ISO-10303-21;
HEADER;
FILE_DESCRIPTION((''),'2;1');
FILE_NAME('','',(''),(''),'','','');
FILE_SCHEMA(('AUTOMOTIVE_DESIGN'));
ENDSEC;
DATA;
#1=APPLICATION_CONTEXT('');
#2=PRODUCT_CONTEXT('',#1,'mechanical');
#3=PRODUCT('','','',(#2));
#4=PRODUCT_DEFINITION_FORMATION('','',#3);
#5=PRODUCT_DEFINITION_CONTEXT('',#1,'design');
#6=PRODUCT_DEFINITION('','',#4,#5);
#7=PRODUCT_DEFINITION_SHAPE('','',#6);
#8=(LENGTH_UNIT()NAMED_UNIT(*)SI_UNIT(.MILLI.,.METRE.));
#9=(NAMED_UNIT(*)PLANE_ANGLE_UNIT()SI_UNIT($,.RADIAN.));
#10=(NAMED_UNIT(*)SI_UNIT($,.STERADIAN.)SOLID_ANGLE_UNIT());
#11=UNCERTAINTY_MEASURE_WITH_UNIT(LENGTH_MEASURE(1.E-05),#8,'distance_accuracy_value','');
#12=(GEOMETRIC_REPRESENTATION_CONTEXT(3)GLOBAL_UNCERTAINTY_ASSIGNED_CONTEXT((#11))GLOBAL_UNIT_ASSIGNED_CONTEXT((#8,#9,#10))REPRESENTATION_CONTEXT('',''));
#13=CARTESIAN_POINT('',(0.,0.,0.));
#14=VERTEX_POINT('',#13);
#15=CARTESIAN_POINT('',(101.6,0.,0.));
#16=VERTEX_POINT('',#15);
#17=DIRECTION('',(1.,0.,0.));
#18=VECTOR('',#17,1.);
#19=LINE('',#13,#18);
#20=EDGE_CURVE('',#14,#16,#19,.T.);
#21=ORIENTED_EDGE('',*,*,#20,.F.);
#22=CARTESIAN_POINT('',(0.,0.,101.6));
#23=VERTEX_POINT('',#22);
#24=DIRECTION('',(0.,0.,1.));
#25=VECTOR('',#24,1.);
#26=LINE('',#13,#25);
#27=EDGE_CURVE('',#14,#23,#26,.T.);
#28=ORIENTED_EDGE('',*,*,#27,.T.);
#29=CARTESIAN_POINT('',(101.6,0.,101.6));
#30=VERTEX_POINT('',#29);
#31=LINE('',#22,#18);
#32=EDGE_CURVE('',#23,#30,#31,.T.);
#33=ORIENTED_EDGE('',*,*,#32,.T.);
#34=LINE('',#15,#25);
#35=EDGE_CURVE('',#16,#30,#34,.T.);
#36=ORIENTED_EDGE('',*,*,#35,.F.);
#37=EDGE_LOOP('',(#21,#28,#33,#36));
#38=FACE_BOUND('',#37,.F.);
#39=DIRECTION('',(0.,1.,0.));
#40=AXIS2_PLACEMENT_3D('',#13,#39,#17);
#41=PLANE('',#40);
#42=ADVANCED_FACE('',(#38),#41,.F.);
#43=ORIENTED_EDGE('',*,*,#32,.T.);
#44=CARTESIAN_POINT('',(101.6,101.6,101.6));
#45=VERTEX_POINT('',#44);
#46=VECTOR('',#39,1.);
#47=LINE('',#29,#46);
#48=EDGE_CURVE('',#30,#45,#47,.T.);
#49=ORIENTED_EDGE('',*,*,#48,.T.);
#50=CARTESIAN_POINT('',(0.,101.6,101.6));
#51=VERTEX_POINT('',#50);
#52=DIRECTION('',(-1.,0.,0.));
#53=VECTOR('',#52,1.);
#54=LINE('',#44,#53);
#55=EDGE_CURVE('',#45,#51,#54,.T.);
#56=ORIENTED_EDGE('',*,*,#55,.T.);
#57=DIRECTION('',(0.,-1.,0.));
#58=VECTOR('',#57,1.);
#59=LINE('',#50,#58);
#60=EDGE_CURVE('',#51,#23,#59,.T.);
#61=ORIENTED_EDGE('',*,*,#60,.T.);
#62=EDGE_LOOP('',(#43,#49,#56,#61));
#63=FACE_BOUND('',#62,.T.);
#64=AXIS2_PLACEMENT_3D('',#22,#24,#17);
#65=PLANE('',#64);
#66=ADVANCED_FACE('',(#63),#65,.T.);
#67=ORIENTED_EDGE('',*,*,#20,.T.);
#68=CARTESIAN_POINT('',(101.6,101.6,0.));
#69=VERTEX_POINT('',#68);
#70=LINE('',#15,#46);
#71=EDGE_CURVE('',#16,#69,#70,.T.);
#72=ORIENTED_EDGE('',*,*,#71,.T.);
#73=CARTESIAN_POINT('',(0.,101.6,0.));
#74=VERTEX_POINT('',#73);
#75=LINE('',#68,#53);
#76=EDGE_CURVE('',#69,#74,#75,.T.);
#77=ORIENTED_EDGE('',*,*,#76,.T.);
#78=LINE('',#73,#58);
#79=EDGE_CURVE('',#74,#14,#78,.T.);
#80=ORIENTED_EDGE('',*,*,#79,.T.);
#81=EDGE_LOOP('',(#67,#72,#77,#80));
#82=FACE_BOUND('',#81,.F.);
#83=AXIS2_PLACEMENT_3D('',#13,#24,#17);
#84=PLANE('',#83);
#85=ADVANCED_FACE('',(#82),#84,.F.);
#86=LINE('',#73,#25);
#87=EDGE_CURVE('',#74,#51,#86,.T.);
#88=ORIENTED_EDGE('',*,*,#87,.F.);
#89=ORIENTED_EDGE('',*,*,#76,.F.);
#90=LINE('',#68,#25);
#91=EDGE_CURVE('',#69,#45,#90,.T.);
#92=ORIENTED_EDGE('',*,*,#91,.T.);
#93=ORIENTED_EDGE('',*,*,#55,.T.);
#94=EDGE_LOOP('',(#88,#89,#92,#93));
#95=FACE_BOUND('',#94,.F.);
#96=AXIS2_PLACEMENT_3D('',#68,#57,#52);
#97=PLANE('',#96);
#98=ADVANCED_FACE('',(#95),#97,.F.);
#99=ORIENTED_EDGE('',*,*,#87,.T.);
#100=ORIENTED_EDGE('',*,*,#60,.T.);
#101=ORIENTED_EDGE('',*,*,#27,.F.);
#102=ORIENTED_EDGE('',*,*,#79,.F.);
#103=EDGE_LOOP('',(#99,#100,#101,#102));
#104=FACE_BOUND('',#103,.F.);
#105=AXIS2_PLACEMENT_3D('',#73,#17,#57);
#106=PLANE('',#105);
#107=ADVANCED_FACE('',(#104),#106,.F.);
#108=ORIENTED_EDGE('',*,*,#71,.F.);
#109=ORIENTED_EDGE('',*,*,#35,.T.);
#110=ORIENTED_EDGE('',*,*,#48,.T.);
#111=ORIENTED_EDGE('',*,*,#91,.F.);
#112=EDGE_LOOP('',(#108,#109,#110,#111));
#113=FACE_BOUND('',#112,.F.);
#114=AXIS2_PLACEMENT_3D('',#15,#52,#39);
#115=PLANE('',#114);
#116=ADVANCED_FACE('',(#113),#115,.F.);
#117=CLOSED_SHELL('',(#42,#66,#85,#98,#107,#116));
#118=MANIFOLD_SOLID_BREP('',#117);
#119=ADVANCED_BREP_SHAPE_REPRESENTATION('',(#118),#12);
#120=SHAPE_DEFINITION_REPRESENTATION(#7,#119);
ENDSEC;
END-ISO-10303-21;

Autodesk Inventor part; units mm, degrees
ref_plane "YZ Plane" through (0, 0, 0) normal (1, 0, 0) x (0, 1, 0)
ref_plane "XZ Plane" through (0, 0, 0) normal (0, 1, 0) x (-1, 0, 0)
ref_plane "XY Plane" through (0, 0, 0) normal (0, 0, 1) x (1, 0, 0)
sketch "Sketch1" plane through (0, 0, 0) normal (0, 0, 1) x (1, 0, 0)
  line L0 (0, 0) -> (101.6, 0)
  line L1 (101.6, 0) -> (101.6, 101.6)
  line L2 (101.6, 101.6) -> (0, 101.6)
  line L3 (0, 101.6) -> (0, 0)
  dimension "d0" = 101.6
  dimension "d1" = 101.6
extrude "Extrusion1" add sketch "Sketch1" along normal blind 101.6
properties part number "4inchsquare"
